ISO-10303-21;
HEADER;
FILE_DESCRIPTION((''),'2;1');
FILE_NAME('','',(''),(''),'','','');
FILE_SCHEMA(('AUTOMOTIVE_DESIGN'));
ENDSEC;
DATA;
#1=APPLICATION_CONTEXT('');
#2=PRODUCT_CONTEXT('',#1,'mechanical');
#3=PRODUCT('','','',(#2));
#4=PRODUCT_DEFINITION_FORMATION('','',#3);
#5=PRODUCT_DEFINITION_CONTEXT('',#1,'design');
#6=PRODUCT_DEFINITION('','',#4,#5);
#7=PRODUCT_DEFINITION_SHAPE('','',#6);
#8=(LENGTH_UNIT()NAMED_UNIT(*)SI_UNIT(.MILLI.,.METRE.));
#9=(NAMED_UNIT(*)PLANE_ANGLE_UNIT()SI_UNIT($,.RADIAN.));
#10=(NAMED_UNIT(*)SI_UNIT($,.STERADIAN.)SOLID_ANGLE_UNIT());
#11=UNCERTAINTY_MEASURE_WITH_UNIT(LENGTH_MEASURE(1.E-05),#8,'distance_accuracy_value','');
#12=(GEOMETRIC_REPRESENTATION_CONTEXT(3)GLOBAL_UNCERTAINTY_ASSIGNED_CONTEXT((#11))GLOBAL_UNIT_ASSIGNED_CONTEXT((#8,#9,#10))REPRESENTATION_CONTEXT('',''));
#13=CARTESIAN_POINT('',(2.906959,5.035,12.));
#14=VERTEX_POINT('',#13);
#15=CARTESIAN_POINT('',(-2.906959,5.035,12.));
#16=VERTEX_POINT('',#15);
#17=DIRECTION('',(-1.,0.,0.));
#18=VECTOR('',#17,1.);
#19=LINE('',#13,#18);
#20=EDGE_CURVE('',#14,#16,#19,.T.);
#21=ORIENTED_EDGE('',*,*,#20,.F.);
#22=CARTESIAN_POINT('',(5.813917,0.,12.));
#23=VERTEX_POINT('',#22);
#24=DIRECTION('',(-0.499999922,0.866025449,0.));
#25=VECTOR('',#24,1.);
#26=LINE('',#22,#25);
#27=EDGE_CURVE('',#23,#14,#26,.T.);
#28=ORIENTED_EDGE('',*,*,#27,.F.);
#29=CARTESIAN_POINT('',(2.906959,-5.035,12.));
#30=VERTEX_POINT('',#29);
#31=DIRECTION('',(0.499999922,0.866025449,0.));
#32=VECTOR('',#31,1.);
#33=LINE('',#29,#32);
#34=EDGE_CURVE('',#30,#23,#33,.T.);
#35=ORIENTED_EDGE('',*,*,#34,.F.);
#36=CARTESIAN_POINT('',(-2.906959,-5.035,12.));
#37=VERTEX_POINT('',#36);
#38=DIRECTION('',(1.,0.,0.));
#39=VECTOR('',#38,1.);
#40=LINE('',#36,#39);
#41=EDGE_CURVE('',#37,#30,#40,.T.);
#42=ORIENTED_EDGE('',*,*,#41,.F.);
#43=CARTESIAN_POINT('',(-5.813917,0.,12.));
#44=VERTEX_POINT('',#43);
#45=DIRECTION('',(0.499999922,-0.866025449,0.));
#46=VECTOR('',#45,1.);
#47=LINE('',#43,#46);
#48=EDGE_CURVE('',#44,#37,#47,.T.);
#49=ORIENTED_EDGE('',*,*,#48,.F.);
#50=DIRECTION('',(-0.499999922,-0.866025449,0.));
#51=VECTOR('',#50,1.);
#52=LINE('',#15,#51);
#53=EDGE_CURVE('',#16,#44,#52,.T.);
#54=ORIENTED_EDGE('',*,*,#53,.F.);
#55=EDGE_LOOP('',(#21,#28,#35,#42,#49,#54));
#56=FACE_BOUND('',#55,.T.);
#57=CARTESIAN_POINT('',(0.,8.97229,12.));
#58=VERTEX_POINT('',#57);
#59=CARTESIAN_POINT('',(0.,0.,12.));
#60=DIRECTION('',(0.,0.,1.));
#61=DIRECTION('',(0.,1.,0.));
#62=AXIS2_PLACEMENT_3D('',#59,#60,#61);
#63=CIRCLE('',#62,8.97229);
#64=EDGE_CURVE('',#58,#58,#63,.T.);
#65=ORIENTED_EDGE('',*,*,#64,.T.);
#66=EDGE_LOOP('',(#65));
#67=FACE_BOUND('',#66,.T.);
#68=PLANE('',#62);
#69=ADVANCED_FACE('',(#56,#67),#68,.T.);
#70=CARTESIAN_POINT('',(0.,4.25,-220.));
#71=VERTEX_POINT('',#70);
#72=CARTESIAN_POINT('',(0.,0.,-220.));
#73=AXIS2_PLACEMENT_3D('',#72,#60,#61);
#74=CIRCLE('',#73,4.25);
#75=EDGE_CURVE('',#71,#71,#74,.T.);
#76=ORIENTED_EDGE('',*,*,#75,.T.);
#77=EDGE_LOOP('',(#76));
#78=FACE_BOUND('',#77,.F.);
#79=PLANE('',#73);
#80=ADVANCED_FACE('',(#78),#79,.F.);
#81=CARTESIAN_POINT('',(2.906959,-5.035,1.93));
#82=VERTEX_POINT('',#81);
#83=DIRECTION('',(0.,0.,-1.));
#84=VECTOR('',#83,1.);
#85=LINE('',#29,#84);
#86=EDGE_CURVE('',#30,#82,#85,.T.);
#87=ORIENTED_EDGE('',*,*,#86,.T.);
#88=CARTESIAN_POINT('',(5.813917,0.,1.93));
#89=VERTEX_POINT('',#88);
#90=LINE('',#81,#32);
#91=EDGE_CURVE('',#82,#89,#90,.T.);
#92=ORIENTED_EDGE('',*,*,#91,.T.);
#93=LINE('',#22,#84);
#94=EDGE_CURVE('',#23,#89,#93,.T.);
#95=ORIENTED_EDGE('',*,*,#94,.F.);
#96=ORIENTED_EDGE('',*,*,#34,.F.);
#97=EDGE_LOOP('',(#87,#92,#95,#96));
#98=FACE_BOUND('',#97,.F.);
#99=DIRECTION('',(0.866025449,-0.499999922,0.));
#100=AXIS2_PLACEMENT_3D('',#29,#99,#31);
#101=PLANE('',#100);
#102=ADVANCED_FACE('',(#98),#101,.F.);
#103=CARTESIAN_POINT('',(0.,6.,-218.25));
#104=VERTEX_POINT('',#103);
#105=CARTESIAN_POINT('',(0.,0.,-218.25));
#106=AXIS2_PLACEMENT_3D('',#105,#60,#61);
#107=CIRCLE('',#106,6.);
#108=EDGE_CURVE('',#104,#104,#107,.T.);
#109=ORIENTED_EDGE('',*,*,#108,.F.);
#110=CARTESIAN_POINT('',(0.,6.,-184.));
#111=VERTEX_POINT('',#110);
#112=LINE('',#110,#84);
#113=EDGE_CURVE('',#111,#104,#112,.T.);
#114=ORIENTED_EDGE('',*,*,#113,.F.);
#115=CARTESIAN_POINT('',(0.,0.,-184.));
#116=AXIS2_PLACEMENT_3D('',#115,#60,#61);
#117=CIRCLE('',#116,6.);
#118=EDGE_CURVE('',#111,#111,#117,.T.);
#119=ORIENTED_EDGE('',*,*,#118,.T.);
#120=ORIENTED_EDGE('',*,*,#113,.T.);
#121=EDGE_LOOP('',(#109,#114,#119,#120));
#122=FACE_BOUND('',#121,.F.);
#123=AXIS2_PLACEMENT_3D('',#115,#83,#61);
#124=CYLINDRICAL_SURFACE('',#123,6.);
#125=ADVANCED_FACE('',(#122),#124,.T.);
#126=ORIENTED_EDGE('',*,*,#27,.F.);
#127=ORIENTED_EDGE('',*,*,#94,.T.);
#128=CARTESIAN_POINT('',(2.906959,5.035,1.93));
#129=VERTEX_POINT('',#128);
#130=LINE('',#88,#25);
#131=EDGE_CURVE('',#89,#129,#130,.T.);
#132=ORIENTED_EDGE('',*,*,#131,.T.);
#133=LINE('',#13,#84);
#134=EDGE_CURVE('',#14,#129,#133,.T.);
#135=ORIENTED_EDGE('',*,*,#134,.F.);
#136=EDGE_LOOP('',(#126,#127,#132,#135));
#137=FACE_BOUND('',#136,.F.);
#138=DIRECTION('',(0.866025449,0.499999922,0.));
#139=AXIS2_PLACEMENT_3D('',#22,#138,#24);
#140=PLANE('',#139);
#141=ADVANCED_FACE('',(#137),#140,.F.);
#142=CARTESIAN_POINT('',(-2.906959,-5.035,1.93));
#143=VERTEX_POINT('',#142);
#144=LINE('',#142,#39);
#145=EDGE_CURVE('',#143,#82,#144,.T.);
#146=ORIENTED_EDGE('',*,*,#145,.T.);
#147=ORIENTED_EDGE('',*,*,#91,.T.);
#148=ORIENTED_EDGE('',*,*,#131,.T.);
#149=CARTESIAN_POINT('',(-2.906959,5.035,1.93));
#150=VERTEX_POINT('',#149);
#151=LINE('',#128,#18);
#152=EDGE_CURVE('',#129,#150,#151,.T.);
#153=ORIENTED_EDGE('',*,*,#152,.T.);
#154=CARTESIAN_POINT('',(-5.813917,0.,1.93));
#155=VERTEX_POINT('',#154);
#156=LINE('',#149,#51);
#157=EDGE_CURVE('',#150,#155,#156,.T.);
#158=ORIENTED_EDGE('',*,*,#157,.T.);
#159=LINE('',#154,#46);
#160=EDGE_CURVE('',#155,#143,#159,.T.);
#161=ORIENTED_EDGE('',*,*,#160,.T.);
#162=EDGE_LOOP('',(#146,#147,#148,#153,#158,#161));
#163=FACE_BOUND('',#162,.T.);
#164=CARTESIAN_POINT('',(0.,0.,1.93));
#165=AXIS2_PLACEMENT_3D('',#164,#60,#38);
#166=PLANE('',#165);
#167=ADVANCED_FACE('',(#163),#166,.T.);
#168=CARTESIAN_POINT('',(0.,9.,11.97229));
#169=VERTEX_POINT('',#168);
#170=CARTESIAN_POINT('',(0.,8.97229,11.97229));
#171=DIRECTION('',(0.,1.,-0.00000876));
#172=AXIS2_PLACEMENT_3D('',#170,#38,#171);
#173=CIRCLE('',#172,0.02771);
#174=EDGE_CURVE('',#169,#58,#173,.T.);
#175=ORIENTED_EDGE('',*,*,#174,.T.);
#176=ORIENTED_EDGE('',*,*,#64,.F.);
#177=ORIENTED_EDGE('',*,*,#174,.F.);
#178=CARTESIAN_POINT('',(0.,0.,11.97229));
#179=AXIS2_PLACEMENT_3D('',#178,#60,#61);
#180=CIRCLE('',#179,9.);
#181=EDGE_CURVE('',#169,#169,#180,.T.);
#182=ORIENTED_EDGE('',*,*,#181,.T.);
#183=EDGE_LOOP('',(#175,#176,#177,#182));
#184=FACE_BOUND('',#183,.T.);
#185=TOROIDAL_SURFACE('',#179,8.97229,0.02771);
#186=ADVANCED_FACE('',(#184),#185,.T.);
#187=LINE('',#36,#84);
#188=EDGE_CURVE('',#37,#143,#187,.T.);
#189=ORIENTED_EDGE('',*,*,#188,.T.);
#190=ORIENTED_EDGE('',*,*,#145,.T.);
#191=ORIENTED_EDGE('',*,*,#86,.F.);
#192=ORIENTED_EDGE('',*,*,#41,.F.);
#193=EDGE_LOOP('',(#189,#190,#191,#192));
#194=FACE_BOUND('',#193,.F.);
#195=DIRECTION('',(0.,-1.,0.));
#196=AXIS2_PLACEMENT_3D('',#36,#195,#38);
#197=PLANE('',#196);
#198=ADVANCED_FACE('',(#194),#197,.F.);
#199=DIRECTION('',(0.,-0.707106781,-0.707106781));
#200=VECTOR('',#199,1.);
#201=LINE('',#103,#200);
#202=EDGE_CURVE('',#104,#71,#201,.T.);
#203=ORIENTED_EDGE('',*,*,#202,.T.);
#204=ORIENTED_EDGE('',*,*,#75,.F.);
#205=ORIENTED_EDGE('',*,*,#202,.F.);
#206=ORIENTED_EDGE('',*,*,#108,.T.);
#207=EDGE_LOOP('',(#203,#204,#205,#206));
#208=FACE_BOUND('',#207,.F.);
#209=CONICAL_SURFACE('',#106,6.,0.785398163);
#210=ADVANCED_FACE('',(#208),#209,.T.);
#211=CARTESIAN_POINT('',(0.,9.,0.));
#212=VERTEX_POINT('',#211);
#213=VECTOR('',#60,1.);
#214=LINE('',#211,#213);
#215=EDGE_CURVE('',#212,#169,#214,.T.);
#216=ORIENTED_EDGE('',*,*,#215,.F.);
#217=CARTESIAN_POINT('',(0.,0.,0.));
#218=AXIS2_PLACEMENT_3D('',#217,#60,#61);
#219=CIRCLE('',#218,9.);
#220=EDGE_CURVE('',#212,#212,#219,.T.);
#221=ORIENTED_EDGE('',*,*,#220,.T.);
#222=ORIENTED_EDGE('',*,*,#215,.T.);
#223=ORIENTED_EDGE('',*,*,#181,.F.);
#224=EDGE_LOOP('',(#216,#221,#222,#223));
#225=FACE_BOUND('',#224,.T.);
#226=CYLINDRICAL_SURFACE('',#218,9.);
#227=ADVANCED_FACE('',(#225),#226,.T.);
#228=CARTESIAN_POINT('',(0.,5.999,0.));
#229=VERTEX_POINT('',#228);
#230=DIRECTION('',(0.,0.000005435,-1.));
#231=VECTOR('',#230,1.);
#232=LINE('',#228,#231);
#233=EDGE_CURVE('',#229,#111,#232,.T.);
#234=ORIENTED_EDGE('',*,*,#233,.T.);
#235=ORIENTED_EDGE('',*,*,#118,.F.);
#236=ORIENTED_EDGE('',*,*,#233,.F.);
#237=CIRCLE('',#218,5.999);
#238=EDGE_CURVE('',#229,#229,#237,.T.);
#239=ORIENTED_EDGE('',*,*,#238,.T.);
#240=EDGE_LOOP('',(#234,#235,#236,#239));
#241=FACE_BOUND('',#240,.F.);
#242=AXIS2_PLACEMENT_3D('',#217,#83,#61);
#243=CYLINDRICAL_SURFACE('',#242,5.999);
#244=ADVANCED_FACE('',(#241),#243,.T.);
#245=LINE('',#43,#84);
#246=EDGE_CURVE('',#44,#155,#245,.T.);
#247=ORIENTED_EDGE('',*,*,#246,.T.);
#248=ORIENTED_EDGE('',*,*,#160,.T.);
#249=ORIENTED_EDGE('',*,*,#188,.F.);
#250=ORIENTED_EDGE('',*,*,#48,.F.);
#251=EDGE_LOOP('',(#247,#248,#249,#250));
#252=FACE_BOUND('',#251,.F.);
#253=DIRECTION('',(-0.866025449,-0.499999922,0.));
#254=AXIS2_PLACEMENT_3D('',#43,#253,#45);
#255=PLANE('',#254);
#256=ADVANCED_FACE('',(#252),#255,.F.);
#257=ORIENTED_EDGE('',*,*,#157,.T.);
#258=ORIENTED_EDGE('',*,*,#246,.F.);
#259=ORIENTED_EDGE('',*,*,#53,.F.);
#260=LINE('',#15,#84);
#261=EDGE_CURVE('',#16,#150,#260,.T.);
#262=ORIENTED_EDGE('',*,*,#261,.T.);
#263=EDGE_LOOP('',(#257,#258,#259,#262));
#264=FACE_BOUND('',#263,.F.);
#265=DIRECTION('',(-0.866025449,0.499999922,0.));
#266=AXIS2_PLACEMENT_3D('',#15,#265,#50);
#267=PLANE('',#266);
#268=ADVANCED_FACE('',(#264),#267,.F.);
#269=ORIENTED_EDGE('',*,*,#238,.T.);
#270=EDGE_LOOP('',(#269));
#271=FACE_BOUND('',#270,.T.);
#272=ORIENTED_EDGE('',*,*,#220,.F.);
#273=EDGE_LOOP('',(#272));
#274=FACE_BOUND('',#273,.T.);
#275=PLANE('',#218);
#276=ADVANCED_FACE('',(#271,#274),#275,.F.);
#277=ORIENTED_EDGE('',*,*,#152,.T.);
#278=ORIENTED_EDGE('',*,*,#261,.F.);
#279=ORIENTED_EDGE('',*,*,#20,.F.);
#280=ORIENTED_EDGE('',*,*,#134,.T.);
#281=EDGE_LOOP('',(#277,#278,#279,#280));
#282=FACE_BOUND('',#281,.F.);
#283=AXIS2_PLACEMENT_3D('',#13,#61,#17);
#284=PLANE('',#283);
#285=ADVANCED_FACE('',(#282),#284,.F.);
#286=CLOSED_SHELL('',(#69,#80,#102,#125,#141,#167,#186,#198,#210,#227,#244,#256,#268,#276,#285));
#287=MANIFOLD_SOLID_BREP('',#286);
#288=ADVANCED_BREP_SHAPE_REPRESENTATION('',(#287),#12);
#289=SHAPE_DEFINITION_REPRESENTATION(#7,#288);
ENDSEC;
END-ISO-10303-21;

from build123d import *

# Parameters (mm, degrees)
POCKET_DEPTH = 10.07


with BuildPart() as part:
    # Sketch → Revolve (revolve)
    with BuildSketch(Plane.YZ):
        with BuildLine():
            Line((5.999, 0), (9, 0))
            Line((9, 0), (9, 11.97229))
            ThreePointArc((9, 11.97229), (8.991884, 11.991884), (8.97229, 12))
            Line((8.97229, 12), (0, 12))
            Line((0, -220), (0, 12))
            Line((4.25, -220), (0, -220))
            Line((6, -218.25), (4.25, -220))
            Line((6, -184), (6, -218.25))
            Line((5.999, 0), (6, -184))
        make_face()
    revolve(axis=Axis((0, 0, 0), (0, 0, 1)))

    # Sketch001 → Pocket (cut)
    with BuildSketch(Plane.XY.offset(12)):
        Polygon((5.813917, 0), (2.906959, 5.035), (-2.906959, 5.035), (-5.813917, 0), (-2.906959, -5.035), (2.906959, -5.035), align=None)
    extrude(amount=-POCKET_DEPTH, mode=Mode.SUBTRACT)


solid = part.part
